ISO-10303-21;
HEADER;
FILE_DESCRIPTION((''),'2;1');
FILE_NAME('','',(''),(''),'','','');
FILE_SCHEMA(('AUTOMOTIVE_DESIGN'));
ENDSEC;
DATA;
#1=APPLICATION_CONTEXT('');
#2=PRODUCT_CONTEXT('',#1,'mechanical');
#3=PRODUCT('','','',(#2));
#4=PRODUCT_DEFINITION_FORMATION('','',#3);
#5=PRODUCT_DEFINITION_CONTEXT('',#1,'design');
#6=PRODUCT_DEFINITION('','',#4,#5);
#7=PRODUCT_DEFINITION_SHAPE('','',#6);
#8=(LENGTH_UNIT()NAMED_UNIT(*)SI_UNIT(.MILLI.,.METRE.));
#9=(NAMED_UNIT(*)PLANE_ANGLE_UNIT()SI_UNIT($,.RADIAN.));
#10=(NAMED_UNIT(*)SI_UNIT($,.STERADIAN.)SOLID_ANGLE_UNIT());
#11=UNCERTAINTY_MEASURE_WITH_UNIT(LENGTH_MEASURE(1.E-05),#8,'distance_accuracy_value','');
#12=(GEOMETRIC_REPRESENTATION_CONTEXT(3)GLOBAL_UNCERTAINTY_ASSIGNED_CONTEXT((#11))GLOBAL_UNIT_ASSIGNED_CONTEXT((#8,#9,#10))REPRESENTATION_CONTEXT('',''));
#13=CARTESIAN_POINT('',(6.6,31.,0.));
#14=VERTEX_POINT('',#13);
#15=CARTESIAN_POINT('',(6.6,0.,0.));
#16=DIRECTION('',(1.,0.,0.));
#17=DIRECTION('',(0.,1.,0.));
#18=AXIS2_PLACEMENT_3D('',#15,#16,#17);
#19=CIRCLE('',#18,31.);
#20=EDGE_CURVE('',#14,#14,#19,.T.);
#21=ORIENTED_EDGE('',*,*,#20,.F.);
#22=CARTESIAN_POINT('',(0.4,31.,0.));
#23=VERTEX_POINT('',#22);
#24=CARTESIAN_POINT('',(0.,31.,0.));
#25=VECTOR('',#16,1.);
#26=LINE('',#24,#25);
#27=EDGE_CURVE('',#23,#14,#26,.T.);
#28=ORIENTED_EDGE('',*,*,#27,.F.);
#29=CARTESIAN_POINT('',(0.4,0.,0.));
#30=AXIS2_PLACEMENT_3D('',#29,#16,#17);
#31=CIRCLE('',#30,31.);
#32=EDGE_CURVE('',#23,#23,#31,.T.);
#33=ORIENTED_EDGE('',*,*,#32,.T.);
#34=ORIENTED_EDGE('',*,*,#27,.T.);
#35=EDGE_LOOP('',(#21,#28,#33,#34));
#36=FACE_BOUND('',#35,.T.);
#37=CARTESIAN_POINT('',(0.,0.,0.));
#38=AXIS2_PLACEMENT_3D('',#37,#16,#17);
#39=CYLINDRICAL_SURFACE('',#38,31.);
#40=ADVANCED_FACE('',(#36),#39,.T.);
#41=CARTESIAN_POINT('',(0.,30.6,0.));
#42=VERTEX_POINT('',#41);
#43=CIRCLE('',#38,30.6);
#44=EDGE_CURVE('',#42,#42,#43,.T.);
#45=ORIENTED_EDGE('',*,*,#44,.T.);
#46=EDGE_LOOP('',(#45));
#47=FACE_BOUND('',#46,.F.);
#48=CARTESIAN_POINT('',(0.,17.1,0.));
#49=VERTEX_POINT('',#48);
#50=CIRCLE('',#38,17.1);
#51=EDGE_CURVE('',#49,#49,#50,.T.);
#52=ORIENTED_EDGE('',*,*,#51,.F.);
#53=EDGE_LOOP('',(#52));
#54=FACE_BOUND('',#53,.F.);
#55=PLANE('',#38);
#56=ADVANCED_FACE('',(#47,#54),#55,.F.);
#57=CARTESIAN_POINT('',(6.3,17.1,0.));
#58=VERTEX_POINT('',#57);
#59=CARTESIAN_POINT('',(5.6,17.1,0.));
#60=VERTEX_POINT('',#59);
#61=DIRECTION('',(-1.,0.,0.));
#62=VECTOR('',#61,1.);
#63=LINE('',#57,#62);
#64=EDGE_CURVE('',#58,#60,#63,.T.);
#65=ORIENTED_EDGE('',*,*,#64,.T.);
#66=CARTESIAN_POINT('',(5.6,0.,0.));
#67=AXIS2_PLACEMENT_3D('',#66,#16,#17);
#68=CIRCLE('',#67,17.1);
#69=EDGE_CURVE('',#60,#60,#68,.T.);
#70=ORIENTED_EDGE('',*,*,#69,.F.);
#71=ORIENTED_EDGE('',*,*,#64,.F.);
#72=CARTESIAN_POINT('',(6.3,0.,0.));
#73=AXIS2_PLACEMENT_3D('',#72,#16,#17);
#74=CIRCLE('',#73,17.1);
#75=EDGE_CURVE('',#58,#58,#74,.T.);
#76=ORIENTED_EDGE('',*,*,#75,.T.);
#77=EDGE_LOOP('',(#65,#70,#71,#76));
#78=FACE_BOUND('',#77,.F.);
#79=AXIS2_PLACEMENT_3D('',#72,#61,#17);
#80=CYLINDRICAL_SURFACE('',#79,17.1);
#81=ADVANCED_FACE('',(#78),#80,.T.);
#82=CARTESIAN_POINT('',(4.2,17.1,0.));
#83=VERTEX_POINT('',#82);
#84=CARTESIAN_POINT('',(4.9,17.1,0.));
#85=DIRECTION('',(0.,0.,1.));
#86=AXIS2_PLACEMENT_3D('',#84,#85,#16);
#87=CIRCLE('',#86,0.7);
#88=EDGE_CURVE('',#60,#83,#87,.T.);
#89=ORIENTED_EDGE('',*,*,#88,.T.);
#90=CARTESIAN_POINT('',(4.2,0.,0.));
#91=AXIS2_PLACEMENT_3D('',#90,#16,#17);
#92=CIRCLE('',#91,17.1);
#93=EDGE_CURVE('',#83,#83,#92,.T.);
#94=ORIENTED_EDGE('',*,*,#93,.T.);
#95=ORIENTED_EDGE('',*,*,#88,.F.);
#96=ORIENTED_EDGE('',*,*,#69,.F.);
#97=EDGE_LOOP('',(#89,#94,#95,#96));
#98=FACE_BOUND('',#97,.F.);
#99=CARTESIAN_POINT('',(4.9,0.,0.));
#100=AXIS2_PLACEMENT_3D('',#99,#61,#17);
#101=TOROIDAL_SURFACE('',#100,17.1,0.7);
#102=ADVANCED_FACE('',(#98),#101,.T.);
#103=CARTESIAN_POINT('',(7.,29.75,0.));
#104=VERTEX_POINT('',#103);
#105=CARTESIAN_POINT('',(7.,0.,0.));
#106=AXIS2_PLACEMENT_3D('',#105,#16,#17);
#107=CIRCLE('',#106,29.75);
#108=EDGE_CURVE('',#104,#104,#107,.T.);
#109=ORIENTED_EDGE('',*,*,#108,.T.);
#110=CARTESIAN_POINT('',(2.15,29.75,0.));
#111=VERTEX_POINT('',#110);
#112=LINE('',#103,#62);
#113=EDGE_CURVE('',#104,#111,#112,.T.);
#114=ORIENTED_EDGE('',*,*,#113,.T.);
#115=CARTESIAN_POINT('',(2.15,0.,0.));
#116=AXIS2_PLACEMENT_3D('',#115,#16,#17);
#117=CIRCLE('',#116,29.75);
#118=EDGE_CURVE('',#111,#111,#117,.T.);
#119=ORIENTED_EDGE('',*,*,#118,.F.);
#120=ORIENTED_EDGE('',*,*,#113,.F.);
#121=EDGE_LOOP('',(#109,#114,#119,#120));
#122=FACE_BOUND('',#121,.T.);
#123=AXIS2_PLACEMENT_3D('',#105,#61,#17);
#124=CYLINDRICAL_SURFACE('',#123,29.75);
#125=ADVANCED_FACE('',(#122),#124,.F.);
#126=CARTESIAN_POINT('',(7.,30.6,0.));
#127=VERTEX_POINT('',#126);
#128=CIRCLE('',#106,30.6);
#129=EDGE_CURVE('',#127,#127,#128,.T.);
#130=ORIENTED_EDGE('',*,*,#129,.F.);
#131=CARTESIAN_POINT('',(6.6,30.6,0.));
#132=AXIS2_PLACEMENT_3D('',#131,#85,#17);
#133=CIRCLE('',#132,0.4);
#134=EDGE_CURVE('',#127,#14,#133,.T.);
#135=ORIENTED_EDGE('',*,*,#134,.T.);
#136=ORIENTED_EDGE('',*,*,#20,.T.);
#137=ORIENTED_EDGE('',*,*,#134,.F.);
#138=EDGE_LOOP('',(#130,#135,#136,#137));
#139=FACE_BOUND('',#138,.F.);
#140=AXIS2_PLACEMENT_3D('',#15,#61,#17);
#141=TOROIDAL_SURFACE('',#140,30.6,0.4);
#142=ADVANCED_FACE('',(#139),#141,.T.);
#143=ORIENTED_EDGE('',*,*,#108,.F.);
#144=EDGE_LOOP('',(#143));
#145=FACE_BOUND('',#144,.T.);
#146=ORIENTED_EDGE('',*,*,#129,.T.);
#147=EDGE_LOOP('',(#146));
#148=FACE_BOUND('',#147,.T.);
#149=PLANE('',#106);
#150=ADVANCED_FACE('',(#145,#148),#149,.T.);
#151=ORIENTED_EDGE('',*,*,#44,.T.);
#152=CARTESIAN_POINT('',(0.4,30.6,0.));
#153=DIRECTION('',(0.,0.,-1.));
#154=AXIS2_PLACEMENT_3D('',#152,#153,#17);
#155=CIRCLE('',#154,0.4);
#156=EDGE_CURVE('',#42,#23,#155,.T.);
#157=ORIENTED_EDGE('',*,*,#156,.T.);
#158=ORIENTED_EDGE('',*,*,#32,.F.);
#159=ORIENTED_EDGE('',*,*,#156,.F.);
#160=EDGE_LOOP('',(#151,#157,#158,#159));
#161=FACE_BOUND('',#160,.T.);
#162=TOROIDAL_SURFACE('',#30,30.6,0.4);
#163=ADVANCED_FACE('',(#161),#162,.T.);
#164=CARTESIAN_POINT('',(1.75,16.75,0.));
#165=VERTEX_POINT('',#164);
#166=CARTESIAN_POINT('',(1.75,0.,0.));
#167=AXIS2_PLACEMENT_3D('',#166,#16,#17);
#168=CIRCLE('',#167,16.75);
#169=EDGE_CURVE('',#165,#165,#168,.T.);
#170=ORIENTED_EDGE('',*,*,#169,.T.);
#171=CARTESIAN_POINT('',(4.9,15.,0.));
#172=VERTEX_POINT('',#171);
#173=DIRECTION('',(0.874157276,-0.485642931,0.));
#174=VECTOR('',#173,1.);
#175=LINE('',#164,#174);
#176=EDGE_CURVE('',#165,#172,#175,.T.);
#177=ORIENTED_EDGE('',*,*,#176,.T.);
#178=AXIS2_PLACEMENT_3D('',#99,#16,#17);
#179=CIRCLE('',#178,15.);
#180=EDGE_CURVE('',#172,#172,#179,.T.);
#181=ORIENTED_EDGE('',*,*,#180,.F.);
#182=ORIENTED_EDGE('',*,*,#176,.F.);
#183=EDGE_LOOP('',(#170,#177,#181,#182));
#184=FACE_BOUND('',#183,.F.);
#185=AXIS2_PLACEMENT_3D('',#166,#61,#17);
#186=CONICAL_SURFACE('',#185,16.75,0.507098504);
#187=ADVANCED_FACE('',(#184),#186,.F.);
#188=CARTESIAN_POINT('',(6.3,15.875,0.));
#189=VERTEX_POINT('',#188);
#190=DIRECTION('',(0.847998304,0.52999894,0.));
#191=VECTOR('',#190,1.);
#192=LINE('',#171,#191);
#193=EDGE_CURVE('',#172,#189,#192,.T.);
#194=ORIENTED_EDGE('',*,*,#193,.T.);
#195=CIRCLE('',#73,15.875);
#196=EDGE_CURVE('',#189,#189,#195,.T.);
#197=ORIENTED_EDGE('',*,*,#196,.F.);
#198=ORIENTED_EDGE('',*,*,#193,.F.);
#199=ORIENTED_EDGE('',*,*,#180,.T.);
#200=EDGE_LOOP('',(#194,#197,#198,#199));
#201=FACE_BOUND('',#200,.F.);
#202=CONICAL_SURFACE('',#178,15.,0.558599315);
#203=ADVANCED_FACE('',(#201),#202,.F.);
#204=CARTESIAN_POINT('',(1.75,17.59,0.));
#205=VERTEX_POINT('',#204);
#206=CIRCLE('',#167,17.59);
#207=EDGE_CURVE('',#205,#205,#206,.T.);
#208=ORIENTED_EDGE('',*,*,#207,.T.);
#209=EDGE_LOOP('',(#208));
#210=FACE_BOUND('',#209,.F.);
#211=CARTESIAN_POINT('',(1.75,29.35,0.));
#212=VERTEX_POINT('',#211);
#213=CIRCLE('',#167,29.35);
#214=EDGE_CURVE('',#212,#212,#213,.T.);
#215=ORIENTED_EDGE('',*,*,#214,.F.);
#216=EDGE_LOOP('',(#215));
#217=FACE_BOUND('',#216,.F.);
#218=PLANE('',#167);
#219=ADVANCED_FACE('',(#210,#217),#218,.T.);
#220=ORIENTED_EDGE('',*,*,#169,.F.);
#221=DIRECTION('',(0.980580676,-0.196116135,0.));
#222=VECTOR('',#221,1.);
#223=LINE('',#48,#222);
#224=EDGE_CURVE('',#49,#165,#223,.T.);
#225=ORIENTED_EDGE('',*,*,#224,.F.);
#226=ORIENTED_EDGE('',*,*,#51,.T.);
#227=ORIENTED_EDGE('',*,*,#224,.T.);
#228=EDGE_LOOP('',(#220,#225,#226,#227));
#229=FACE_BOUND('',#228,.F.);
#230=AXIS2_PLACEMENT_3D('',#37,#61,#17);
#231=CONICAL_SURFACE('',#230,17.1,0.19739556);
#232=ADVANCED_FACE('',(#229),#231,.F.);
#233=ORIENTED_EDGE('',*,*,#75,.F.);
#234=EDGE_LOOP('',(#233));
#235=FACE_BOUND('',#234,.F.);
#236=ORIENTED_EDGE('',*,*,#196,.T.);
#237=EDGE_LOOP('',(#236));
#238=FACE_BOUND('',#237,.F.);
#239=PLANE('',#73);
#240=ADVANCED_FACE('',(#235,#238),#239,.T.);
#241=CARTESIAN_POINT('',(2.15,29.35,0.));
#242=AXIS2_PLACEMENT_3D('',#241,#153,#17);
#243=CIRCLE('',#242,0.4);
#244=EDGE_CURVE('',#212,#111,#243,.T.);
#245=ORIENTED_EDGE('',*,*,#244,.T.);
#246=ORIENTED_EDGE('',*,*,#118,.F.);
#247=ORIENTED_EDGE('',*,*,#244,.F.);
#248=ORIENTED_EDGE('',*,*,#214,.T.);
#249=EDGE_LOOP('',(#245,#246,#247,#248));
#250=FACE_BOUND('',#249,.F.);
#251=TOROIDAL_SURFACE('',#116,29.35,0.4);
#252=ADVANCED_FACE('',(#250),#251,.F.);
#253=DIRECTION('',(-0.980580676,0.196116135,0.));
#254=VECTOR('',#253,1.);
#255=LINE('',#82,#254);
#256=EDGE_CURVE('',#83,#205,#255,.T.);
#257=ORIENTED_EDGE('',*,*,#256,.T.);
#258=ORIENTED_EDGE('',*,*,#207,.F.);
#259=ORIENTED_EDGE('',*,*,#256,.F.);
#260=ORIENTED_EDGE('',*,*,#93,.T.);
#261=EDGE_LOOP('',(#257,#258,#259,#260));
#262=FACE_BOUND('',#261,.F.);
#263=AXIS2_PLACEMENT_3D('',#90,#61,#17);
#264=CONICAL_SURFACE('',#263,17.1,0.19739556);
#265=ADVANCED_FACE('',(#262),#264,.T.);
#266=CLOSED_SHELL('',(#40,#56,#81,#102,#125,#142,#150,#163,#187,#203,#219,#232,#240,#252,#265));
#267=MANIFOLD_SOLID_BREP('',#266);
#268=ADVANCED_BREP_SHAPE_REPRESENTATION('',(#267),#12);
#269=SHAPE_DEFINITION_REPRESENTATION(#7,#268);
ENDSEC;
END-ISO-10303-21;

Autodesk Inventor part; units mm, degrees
ref_plane "YZ Plane" through (0, 0, 0) normal (1, 0, 0) x (0, 1, 0)
ref_plane "XZ Plane" through (0, 0, 0) normal (0, 1, 0) x (-1, 0, 0)
ref_plane "XY Plane" through (0, 0, 0) normal (0, 0, 1) x (1, 0, 0)
sketch "Sketch1" plane through (0, 0, 0) normal (0, 0, 1) x (1, 0, 0)
  circle A0 centre (4.9, 17.1) radius 0.455
  circle A1 centre (4.9, 17.1) radius 0.7
  line L0 (6.3, 15.875) -> (6.3, 17.1)
  line L1 (0, 31) -> (7, 31)
  line L2 (7, 31) -> (7, 29.75)
  line L3 (7, 29.75) -> (1.75, 29.75)
  line L4 (0, 0) -> (9.5856, 0)
  line L5 (0, 31) -> (0, 17.1)
  line L6 (0, 17.1) -> (1.75, 16.75)
  line L7 (1.75, 16.75) -> (4.9, 15)
  line L8 (4.9, 15) -> (6.3, 15.875)
  line L9 (4.9, 15) -> (0, 15) construction
  line L10 (0, 31.2) -> (0, -5.2) projected
  line L11 (-1.9171, 0) -> (11.5027, 0) projected
  line L12 (4.2, 17.1) -> (1.75, 17.59)
  line L13 (1.75, 17.59) -> (1.75, 29.75)
  line L14 (6.3, 17.1) -> (5.6, 17.1)
  dimension "d0" = 62
  dimension "d1" = 31.75
  dimension "d2" = 1.25
  dimension "d3" = 0.91
  dimension "d4" = 1.4
  dimension "d5" = 30
  dimension "d6" = 33.5
  dimension "d7" = 34.2
  dimension "d8" = 4.9
  dimension "d9" = 6.3
  dimension "d10" = 7
  dimension "d12" = 1.75
revolve "Body" add sketch "Sketch1" angle 360 about axis through (0, 0, 0) along (1, 0, 0) contours L14 L0 L8 L7 L6 L5 L1 L2 L3 L13 L12 A1
revolve "Spring1" add sketch "Sketch1" angle 360 about axis through (0, 0, 0) along (1, 0, 0) contours A0 | A1
fillet "Fillet1" radius 0.4 3 edges at (7, -31, 0) (1.75, -29.75, 0) (0, -31, 0)
equation "\"d0\" = SD2"
equation "\"d1\" = ABDM"
equation "\"d3\" = SPDI"
equation "\"d4\" = SPDA"
equation "\"d5\" = NND"
equation "\"d6\" = TKDM"
equation "\"d7\" = HLDM"
equation "\"d8\" = SPDST"
equation "\"d9\" = SDI"
equation "\"d10\" = SWDT"
equation "\"d12\" = SD"
equation "\"d11\" = RR"
equation "\"SD2\" = 62"
equation "\"SWDT\" = 7"
equation "\"RR\" = 0.4"
equation "\"SD\" = 1.75"
equation "\"NND\" = 30"
equation "\"SPDA\" = 1.4"
equation "\"SPDI\" = 0.91"
equation "\"TKDM\" = 33.5"
equation "\"HLDM\" = 34.2"
equation "\"ABDM\" = 31.75"
equation "\"SDI\" = 6.3"
equation "\"SPDST\" = 4.9"
equation "\"LAB\" = 0.35"
properties part number "PWTR-0069" material "Rubber"
